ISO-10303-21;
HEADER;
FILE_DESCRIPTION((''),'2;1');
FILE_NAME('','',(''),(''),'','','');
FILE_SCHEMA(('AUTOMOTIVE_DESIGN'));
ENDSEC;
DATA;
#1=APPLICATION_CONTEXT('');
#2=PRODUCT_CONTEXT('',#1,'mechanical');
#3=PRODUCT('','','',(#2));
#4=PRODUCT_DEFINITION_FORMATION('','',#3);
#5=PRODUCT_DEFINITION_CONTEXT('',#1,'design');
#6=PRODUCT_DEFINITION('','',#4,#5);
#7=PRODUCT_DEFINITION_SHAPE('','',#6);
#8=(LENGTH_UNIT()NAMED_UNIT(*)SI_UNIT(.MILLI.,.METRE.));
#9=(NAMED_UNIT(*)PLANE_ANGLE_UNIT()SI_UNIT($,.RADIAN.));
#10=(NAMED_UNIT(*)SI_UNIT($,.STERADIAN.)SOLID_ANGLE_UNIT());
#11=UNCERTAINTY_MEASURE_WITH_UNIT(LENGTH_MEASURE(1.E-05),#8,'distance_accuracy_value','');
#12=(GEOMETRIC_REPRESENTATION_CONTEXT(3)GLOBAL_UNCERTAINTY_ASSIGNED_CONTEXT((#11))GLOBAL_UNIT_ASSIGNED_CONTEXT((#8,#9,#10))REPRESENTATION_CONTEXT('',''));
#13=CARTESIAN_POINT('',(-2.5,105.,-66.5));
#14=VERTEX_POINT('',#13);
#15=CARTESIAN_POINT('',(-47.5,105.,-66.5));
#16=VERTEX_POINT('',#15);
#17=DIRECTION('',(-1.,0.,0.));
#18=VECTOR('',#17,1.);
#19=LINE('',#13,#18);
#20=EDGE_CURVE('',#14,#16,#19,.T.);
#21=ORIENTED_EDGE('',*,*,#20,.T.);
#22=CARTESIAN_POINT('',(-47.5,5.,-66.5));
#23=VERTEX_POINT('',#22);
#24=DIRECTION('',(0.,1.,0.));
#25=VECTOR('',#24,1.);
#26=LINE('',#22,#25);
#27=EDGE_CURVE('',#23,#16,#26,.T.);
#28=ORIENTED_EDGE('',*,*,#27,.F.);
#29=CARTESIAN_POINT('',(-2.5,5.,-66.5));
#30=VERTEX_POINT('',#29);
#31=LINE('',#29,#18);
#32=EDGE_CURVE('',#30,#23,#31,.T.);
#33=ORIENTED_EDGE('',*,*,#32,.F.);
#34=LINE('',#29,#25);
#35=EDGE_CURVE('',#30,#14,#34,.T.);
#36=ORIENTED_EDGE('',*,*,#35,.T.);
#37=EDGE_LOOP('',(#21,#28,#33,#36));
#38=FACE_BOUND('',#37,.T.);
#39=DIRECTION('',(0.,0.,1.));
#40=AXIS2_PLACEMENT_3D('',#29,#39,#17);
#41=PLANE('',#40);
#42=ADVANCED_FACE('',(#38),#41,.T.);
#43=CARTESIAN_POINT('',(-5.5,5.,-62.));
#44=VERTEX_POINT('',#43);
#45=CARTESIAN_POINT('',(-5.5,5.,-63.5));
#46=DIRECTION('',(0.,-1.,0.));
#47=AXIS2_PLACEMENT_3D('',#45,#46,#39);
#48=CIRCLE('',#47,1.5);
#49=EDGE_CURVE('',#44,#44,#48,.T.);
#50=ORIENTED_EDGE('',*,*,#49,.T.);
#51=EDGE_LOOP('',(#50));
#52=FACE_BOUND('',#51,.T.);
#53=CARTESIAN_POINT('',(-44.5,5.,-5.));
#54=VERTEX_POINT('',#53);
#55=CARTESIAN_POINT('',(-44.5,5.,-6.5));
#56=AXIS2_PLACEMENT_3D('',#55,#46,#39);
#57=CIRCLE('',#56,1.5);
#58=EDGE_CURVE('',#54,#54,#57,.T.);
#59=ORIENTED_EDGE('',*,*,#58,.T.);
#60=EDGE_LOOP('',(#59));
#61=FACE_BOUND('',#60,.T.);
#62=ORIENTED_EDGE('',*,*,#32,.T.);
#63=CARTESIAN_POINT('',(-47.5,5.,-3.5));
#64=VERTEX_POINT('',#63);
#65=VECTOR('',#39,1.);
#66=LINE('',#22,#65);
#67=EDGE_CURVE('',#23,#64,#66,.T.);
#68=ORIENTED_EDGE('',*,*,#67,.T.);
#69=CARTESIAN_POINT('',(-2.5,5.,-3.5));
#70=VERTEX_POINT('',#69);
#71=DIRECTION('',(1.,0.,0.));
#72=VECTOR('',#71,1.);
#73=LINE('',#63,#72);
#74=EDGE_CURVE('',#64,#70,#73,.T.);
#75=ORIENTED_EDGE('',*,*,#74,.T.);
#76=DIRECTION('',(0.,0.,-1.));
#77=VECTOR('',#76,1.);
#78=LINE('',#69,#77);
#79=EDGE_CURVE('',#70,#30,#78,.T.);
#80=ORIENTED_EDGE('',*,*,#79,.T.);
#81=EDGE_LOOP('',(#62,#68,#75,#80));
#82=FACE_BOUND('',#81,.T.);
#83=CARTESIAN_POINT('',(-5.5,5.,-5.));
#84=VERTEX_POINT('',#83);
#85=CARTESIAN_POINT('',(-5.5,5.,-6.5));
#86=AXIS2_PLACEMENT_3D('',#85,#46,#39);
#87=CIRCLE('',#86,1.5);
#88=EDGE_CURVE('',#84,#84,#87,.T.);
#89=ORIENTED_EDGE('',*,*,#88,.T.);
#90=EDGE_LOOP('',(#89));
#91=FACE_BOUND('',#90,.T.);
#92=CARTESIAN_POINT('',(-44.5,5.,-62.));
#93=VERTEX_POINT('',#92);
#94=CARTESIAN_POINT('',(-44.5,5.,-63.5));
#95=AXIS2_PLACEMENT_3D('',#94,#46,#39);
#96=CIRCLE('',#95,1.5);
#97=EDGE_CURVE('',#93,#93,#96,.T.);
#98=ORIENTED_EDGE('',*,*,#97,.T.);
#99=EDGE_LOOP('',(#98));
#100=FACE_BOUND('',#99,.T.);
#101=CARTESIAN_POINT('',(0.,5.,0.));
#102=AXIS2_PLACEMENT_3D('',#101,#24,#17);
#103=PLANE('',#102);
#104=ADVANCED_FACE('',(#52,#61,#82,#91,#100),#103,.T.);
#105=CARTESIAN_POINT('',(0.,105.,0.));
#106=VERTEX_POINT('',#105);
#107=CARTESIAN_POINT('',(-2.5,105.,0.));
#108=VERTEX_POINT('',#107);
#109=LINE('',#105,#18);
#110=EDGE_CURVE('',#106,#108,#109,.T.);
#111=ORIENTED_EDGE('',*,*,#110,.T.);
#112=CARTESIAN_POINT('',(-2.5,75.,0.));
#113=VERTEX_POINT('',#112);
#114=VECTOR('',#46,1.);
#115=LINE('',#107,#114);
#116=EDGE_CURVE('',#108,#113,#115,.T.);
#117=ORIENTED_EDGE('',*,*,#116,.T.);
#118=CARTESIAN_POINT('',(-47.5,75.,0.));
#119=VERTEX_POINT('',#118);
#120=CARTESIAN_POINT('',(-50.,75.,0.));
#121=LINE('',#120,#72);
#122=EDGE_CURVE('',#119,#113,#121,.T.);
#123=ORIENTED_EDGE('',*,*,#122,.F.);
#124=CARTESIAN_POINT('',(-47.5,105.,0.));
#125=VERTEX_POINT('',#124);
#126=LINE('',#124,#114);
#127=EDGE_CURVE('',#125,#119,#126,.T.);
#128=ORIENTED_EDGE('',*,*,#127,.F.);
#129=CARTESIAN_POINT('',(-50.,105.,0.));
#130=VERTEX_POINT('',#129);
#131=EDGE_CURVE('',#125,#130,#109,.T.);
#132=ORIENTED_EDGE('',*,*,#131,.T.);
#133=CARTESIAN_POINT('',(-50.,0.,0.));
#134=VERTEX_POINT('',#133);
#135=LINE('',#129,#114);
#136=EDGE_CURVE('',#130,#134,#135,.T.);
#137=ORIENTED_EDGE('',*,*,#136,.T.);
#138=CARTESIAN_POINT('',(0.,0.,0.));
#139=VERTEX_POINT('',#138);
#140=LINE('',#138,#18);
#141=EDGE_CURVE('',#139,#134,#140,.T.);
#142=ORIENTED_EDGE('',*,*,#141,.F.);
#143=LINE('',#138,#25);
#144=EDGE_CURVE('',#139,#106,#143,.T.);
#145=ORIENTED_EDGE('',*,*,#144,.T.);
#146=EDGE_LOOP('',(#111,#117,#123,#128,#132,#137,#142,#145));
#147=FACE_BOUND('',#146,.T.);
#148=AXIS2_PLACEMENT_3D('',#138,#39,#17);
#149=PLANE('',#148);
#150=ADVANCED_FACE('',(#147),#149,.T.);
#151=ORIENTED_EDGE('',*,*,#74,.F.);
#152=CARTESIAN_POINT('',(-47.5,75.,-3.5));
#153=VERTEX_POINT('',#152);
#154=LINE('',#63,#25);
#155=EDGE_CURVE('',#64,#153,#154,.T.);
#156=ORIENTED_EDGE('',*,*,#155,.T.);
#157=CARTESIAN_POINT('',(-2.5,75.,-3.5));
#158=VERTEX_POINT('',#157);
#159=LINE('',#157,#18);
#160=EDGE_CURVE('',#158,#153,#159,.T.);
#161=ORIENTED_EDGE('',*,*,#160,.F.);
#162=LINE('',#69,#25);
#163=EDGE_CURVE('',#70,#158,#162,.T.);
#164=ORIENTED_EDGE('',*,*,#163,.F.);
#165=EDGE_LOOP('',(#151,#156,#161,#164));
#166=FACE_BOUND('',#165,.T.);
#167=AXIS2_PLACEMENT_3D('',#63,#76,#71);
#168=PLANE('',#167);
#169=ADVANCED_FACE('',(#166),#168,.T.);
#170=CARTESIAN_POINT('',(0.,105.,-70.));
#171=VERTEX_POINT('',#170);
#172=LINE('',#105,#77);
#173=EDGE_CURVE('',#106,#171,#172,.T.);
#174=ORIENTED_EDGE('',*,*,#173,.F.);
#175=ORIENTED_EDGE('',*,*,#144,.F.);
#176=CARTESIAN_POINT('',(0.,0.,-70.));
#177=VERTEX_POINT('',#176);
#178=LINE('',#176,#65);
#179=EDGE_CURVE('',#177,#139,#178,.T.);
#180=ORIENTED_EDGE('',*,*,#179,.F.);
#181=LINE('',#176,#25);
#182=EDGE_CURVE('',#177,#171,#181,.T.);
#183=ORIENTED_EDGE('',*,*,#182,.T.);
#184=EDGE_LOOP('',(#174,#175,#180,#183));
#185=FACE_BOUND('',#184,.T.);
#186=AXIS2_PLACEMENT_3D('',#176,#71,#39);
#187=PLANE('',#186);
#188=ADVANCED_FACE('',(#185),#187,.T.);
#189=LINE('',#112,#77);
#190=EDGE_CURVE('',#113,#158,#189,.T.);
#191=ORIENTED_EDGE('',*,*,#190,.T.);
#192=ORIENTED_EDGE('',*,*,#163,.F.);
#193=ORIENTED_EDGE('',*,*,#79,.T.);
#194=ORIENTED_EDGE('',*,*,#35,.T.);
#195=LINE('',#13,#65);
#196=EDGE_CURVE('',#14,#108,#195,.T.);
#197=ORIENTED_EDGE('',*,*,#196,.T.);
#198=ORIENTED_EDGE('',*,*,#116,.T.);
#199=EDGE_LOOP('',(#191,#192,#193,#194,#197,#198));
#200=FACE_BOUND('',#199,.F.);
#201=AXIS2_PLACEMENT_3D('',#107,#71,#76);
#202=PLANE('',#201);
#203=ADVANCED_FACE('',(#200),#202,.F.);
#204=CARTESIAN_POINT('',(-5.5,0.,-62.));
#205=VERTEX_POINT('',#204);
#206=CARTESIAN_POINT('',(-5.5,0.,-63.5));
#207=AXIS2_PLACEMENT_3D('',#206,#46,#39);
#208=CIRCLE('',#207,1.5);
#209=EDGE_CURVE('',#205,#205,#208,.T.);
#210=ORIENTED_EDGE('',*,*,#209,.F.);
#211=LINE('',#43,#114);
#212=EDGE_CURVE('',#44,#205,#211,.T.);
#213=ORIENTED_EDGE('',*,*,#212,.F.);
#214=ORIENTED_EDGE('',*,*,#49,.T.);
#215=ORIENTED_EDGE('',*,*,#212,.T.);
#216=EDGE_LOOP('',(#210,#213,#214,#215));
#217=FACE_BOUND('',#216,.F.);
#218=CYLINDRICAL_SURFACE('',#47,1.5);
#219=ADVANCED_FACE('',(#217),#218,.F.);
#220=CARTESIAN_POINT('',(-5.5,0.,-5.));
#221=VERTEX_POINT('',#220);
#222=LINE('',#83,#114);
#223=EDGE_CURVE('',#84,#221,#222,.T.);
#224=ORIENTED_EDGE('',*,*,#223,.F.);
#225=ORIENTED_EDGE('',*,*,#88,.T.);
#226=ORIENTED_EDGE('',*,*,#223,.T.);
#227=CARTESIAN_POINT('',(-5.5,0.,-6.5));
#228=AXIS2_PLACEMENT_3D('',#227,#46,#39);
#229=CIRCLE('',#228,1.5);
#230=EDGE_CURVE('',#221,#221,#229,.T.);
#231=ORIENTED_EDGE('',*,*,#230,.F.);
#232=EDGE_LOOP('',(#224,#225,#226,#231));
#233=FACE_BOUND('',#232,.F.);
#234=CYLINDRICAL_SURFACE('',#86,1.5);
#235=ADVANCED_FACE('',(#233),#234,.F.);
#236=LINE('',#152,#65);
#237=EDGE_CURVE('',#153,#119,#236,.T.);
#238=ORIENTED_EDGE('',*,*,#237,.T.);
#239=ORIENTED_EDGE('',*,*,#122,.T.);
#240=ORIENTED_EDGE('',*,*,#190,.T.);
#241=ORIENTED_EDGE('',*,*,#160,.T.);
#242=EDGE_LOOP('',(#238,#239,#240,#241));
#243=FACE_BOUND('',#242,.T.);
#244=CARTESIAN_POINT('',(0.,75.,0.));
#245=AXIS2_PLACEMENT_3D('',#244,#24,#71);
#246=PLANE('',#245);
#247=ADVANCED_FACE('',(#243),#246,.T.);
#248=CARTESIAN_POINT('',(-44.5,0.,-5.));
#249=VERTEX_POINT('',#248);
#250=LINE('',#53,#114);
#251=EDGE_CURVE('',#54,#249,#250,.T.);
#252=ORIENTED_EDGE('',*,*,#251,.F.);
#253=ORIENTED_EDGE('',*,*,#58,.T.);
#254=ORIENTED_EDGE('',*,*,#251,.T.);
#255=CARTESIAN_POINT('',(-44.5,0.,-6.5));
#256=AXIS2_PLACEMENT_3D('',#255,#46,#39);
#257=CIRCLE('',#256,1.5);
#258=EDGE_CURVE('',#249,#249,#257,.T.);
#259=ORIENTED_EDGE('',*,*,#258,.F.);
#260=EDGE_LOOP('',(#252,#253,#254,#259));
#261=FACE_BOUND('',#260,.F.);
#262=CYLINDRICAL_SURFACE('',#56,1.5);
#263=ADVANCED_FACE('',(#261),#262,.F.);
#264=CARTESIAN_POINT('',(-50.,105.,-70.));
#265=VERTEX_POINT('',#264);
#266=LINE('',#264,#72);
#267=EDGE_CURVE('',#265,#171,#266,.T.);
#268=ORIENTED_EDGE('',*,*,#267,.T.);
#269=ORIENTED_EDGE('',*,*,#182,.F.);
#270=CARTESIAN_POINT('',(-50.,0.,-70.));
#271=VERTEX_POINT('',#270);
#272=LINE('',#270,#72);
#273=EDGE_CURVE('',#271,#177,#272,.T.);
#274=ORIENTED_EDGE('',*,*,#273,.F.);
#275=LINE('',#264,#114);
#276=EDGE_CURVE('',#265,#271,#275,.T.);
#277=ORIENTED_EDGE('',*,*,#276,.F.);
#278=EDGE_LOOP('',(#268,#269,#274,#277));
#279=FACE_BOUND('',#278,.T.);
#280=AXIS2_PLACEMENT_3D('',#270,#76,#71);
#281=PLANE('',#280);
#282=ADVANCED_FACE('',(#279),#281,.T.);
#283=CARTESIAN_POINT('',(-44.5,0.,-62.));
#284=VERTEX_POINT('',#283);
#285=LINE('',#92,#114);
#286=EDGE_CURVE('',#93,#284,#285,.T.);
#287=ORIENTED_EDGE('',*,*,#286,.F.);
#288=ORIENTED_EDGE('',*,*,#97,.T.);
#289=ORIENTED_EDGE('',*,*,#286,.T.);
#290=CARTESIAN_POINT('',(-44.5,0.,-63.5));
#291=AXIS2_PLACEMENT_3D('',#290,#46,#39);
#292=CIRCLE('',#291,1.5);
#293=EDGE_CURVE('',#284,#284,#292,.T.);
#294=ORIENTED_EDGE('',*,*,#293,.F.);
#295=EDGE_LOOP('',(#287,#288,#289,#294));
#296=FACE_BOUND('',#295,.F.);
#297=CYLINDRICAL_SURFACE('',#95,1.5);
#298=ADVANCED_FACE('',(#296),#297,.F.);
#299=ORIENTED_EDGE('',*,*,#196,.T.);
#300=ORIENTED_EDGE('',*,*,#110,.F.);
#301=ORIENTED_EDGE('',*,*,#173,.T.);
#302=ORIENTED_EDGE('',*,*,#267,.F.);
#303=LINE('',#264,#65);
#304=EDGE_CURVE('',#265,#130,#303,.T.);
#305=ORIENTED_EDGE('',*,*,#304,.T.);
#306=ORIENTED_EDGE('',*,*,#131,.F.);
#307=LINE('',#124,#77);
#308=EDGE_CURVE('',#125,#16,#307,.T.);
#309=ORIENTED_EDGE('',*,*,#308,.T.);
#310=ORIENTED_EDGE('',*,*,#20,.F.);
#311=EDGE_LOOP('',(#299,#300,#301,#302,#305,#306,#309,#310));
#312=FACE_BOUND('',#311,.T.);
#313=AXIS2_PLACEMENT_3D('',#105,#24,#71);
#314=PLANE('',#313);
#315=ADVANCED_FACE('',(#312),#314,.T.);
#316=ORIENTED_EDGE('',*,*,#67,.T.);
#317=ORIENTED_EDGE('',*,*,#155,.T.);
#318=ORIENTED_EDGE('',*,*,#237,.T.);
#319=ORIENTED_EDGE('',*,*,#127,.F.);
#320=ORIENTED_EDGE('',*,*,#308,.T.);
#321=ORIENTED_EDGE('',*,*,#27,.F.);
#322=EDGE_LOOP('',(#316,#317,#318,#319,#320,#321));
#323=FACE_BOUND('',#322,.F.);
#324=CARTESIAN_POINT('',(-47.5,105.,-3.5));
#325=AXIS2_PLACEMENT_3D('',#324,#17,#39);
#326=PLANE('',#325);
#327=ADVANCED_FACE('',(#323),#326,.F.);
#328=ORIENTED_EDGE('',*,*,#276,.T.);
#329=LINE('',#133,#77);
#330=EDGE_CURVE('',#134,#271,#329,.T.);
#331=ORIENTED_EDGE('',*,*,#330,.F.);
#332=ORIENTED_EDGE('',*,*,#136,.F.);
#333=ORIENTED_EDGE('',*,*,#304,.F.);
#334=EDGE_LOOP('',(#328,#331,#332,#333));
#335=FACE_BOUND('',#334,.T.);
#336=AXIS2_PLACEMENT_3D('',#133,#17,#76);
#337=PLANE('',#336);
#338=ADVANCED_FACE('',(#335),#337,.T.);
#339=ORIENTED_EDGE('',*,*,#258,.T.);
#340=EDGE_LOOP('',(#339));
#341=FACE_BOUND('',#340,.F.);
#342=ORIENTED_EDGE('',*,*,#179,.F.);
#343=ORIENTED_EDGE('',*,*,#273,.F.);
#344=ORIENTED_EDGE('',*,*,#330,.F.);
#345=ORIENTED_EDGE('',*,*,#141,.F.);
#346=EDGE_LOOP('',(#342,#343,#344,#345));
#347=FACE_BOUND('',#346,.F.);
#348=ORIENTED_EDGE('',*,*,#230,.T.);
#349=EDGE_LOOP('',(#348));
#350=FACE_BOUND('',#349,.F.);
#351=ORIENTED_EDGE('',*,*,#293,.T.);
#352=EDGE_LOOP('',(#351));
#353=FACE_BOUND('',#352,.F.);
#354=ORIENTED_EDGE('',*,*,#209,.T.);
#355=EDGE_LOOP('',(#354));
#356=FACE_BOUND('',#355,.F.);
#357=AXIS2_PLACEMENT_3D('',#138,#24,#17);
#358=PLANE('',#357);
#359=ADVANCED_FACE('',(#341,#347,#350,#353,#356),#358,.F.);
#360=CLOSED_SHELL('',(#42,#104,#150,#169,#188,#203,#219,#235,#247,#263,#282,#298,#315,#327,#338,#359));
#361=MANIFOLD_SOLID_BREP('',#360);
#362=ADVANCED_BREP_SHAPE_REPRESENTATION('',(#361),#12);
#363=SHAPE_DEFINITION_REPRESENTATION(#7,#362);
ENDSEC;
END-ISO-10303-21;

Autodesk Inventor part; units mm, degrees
ref_plane "YZ Plane" through (0, 0, 0) normal (1, 0, 0) x (0, 1, 0)
ref_plane "XZ Plane" through (0, 0, 0) normal (0, 1, 0) x (-1, 0, 0)
ref_plane "XY Plane" through (0, 0, 0) normal (0, 0, 1) x (1, 0, 0)
sketch "Sketch1" plane through (0, 0, 0) normal (0, 1, 0) x (-1, 0, 0)
  line L0 (0, 0) -> (50, 0)
  line L1 (50, 0) -> (50, -70)
  line L2 (50, -70) -> (0, -70)
  line L3 (0, -70) -> (0, 0)
  dimension "d0" = 50
  dimension "d1" = 70
extrude "Extrusion1" add sketch "Sketch1" along normal blind 5
sketch "Sketch2" plane through (0, 5, 0) normal (0, 1, 0) x (1, 0, 0)
  line L0 (0, 0) -> (-50, 0)
  line L1 (-50, 70) -> (0, 70)
  line L2 (-2.5, 66.5) -> (-47.5, 66.5)
  line L3 (-47.5, 66.5) -> (-47.5, 3.5)
  line L4 (-47.5, 3.5) -> (-2.5, 3.5)
  line L5 (-2.5, 3.5) -> (-2.5, 66.5)
  line L6 (0, 0) -> (0, 70) projected
  line L7 (-50, 70) -> (-50, 0) projected
  line L8 (0, 70) -> (-50, 70) projected
  line L9 (-50, 0) -> (0, 0)
  line L10 (0, 0) -> (0, 70)
  line L11 (0, 70) -> (-50, 70)
  line L12 (-50, 70) -> (-50, 0)
  dimension "d22" = 63
  dimension "d24" = 45
  dimension "d25" = 2.5
  dimension "d27" = 3.5
  dimension "d28" = 50
extrude "Extrusion2" add sketch "Sketch2" along normal blind 100
sketch "Sketch3" plane through (0, 5, 0) normal (0, 1, 0) x (1, 0, 0)
  point P0 (0, 0)
sketch "Sketch5" plane through (0, 5, 0) normal (0, 1, 0) x (1, 0, 0)
  line L0 (-47.5, 3.5) -> (-47.5, 66.5) projected
  line L1 (-2.5, 3.5) -> (-47.5, 3.5) projected
  line L2 (-2.5, 66.5) -> (-2.5, 3.5) projected
  line L3 (-47.5, 66.5) -> (-2.5, 66.5) projected
  point P0 (0, 0)
  point P1 (-44.5, 6.5)
  point P2 (-44.5, 63.5)
  point P3 (-5.5, 63.5)
  point P4 (-5.5, 6.5)
  dimension "d36" = 3
  dimension "d37" = 3
  dimension "d38" = 3
  dimension "d39" = 3
  dimension "d40" = 3
  dimension "d41" = 3
  dimension "d42" = 3
  dimension "d43" = 3
hole "Hole2" at (-44.5, 5, -6.5) at (-5.5, 5, -6.5) at (-5.5, 5, -63.5) at (-44.5, 5, -63.5) direction (0, -1, 0) diameter 3 end through all
sketch "Sketch6" plane through (0, 105, 0) normal (0, 1, 0) x (1, 0, 0)
  line L0 (-50, 0) -> (0, 0) projected
  line L1 (-2.5, 3.5) -> (-47.5, 3.5)
  line L2 (-47.5, 3.5) -> (-47.5, 0)
  line L3 (-47.5, 0) -> (-2.5, 0)
  line L4 (-2.5, 0) -> (-2.5, 3.5)
  point P0 (-2.5, 0)
  dimension "d44" = 45
extrude "Extrusion3" cut sketch "Sketch6" against normal blind 30
properties part number "poerbankhållare_3DPrint"
